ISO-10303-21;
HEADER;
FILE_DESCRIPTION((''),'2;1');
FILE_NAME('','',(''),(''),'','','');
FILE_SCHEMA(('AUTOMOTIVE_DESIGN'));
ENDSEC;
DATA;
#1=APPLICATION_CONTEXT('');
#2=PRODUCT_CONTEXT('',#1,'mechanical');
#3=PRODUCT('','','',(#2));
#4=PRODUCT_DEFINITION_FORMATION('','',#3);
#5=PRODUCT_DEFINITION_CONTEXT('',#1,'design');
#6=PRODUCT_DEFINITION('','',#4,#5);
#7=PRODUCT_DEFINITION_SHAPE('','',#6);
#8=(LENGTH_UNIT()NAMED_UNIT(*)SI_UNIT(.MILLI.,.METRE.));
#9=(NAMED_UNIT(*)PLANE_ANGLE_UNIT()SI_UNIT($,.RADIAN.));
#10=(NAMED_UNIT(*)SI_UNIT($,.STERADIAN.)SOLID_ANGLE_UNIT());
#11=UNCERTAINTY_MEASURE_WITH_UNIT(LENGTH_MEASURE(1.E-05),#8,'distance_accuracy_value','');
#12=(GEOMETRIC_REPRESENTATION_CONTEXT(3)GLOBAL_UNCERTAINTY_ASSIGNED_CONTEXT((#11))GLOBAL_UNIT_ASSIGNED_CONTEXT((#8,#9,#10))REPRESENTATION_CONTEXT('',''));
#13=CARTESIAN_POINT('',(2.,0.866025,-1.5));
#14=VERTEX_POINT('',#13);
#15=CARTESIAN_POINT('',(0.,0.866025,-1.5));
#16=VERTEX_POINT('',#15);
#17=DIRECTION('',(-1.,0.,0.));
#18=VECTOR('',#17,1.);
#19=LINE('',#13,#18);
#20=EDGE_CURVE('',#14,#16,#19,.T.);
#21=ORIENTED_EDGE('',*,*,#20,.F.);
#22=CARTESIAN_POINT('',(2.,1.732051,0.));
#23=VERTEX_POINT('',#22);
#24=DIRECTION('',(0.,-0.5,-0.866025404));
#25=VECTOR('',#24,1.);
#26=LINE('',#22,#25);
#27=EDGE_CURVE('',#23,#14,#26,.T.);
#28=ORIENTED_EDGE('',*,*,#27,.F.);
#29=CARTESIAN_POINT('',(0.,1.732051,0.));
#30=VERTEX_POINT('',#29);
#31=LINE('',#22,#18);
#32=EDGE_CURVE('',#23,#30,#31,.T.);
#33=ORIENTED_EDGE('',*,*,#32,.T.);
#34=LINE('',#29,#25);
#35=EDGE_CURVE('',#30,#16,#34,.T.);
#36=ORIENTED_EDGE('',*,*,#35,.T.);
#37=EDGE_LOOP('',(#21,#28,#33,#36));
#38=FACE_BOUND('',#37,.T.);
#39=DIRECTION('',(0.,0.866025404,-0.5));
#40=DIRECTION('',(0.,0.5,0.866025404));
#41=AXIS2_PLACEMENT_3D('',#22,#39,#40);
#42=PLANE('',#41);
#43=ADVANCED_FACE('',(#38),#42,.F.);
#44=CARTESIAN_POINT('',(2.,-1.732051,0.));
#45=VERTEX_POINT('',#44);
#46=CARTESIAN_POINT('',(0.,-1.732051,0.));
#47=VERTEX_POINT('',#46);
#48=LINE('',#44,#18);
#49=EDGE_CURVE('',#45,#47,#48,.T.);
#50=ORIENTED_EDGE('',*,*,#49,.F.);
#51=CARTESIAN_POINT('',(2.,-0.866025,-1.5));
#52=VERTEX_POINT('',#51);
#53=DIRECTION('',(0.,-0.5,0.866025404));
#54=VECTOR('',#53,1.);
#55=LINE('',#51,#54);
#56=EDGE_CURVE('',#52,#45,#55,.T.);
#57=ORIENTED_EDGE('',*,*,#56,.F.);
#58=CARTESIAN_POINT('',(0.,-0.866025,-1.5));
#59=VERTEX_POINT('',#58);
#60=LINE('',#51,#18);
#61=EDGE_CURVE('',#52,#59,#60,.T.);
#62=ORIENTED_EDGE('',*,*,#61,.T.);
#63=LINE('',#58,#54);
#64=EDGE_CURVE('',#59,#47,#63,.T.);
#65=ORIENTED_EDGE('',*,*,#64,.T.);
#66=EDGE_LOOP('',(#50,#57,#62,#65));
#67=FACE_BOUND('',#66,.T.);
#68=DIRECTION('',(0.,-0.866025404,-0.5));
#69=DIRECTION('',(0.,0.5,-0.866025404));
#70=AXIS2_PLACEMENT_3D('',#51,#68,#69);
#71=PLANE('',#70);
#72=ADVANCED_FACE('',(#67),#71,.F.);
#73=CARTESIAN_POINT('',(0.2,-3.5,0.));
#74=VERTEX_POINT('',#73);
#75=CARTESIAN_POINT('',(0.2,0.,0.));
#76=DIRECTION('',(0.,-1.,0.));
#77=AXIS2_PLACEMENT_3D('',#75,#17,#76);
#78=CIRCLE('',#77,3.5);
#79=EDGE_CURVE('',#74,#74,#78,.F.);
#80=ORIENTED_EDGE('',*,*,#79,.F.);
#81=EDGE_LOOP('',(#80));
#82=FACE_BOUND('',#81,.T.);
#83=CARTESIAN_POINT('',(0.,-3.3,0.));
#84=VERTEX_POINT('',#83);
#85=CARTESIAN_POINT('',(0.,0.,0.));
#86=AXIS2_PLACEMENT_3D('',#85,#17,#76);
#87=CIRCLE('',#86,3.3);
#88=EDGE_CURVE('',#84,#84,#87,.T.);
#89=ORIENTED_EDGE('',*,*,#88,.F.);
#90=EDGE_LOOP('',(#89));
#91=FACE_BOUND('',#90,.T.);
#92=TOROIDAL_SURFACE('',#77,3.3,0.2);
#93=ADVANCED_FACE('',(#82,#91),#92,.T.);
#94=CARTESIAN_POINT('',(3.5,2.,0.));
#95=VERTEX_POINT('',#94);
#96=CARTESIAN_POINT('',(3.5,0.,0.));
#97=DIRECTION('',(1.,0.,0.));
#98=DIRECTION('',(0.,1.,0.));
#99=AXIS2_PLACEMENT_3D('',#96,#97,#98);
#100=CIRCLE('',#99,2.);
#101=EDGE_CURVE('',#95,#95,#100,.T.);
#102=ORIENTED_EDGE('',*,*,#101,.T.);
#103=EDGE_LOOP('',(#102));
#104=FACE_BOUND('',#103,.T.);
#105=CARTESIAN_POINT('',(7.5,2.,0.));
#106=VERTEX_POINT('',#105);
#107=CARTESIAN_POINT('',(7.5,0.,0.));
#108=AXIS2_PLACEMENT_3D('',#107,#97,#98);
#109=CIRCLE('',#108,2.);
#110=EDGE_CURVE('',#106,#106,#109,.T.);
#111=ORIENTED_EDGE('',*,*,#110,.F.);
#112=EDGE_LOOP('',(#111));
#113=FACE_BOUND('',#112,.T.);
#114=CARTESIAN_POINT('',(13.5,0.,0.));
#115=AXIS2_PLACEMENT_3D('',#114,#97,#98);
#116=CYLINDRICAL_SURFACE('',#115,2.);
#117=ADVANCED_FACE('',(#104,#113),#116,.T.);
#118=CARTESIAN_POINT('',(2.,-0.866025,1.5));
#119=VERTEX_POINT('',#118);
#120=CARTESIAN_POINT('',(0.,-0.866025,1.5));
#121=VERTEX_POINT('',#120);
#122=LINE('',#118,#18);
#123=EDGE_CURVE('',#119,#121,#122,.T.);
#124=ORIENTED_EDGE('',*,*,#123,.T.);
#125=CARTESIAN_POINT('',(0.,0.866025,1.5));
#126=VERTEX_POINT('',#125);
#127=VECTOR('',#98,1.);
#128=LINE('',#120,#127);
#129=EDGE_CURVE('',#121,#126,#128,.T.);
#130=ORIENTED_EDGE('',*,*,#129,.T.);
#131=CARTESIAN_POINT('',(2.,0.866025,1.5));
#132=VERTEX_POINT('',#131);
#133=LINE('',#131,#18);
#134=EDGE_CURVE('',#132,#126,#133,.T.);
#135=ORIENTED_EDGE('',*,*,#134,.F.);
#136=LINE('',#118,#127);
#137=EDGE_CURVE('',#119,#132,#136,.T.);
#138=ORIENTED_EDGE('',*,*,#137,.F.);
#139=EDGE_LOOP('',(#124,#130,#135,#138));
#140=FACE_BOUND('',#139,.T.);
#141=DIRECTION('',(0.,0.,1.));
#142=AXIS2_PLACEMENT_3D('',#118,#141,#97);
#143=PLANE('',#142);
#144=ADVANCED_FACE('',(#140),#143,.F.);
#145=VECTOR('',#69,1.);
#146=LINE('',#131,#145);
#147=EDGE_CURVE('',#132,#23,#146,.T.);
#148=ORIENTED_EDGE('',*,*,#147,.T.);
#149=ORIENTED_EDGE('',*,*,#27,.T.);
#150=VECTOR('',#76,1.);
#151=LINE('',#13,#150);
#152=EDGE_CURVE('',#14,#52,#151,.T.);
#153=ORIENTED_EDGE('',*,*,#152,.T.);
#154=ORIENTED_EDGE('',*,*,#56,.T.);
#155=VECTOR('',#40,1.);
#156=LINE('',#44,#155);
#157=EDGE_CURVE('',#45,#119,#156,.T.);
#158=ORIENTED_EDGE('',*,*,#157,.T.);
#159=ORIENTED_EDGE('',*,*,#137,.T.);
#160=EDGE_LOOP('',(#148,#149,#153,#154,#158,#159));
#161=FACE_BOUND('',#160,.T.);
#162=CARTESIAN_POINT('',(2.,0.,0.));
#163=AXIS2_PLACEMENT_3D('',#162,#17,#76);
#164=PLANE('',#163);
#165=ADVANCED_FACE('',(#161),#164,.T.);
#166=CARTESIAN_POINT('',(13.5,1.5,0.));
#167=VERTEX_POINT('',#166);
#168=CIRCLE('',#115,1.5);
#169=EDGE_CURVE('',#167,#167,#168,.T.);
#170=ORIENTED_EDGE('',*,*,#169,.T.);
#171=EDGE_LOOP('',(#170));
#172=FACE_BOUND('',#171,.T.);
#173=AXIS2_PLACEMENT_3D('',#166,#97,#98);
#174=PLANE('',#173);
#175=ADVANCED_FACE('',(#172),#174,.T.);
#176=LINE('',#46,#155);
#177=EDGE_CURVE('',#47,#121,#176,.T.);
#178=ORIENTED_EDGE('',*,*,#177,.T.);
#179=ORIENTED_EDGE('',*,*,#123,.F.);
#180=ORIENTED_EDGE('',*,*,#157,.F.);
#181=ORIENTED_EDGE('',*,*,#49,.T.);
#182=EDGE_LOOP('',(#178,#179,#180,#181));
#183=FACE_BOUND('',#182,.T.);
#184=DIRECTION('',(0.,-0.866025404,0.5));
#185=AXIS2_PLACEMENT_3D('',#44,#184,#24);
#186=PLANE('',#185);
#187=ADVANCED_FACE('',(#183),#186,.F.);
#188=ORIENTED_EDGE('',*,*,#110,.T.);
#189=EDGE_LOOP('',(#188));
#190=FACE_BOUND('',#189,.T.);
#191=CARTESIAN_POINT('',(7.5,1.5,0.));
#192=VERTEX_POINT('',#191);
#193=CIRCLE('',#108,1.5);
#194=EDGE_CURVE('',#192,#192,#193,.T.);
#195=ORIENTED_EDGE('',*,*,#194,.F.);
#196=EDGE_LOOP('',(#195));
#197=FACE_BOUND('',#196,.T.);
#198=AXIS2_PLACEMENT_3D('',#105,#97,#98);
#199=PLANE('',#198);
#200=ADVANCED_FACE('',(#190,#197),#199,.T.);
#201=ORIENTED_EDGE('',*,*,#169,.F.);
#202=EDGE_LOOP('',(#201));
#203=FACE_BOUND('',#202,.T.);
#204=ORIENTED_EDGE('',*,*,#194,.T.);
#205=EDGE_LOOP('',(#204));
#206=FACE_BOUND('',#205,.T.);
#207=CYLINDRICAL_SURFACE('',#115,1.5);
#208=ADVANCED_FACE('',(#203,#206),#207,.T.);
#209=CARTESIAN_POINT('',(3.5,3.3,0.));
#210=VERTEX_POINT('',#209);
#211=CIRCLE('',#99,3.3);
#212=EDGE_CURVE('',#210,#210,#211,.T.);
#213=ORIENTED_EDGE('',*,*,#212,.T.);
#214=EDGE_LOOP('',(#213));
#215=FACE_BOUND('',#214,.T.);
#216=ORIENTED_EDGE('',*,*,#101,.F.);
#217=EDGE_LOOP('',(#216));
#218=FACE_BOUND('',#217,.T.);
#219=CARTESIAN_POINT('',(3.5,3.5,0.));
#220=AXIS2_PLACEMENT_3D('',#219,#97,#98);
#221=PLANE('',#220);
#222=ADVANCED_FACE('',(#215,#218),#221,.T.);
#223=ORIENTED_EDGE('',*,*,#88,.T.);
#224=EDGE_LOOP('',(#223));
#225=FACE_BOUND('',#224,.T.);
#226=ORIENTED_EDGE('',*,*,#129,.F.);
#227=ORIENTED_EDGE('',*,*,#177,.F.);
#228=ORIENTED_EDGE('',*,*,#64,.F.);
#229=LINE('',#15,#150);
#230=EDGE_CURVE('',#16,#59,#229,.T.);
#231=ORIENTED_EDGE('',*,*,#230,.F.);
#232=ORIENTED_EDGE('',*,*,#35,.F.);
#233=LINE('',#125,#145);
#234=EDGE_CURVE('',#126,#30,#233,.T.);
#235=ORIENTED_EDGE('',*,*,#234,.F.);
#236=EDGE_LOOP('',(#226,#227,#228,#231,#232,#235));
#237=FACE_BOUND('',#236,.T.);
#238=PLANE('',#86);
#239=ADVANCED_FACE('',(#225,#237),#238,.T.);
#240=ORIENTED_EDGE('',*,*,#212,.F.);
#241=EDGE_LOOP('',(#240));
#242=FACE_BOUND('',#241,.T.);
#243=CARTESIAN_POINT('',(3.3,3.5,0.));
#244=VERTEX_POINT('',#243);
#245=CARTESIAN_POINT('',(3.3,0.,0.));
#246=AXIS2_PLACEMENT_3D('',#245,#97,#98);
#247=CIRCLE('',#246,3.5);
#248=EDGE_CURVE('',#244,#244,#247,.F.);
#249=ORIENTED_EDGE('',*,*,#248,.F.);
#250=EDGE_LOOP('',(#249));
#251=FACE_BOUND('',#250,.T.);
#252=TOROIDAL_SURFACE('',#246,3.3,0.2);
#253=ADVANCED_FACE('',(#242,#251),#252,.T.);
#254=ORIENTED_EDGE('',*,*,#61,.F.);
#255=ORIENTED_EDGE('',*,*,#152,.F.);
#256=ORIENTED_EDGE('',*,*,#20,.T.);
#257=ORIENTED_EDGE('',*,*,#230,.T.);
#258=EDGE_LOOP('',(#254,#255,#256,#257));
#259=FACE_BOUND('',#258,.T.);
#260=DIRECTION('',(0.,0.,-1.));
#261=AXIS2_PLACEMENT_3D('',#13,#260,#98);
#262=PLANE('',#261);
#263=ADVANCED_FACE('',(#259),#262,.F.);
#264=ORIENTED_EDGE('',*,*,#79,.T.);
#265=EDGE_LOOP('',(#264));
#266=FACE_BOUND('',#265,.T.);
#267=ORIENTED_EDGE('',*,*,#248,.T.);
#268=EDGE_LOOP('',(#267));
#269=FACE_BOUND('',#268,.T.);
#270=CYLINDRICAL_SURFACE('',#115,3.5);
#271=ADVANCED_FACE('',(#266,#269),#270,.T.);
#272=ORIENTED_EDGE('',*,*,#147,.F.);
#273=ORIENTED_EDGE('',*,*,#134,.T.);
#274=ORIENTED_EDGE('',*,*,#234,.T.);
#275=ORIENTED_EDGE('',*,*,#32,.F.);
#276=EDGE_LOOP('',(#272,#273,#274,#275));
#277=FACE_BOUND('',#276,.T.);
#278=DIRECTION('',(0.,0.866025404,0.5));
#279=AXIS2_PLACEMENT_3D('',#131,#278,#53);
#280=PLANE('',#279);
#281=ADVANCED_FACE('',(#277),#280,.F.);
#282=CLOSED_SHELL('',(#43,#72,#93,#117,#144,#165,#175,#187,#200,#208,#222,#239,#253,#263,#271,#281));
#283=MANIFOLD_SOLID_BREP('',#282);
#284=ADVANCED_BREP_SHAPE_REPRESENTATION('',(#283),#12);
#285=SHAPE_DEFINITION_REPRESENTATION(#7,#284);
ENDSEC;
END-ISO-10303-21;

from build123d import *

# Parameters (mm, degrees)
CUT_EXTRUDE_1_DEPTH = 2
FILLET_1_R          = 0.2


with BuildPart() as part:
    # 草图1 → 旋转1 (revolve)
    with BuildSketch(Plane.XY):
        Polygon((0, 0), (0, 3.5), (3.5, 3.5), (3.5, 2), (7.5, 2), (7.5, 1.5), (13.5, 1.5), (13.5, 0), align=None)
    revolve(axis=Axis((13.5, 0, 0), (-1, 0, 0)))

    # 草图2 → 切除-拉伸1 (cut)
    with BuildSketch(Plane.ZY):
        Polygon((1.5, 0.866025404), (0, 1.732050808), (-1.5, 0.866025404), (-1.5, -0.866025404), (0, -1.732050808), (1.5, -0.866025404), align=None)
    extrude(amount=-CUT_EXTRUDE_1_DEPTH, mode=Mode.SUBTRACT)

    # 圆角1
    fillet_1_edges = [part.edges().sort_by_distance(p)[0] for p in [
        (3.5, -3.5, 0),
        (0, -3.5, 0),
    ]]
    fillet(fillet_1_edges, radius=FILLET_1_R)


solid = part.part
